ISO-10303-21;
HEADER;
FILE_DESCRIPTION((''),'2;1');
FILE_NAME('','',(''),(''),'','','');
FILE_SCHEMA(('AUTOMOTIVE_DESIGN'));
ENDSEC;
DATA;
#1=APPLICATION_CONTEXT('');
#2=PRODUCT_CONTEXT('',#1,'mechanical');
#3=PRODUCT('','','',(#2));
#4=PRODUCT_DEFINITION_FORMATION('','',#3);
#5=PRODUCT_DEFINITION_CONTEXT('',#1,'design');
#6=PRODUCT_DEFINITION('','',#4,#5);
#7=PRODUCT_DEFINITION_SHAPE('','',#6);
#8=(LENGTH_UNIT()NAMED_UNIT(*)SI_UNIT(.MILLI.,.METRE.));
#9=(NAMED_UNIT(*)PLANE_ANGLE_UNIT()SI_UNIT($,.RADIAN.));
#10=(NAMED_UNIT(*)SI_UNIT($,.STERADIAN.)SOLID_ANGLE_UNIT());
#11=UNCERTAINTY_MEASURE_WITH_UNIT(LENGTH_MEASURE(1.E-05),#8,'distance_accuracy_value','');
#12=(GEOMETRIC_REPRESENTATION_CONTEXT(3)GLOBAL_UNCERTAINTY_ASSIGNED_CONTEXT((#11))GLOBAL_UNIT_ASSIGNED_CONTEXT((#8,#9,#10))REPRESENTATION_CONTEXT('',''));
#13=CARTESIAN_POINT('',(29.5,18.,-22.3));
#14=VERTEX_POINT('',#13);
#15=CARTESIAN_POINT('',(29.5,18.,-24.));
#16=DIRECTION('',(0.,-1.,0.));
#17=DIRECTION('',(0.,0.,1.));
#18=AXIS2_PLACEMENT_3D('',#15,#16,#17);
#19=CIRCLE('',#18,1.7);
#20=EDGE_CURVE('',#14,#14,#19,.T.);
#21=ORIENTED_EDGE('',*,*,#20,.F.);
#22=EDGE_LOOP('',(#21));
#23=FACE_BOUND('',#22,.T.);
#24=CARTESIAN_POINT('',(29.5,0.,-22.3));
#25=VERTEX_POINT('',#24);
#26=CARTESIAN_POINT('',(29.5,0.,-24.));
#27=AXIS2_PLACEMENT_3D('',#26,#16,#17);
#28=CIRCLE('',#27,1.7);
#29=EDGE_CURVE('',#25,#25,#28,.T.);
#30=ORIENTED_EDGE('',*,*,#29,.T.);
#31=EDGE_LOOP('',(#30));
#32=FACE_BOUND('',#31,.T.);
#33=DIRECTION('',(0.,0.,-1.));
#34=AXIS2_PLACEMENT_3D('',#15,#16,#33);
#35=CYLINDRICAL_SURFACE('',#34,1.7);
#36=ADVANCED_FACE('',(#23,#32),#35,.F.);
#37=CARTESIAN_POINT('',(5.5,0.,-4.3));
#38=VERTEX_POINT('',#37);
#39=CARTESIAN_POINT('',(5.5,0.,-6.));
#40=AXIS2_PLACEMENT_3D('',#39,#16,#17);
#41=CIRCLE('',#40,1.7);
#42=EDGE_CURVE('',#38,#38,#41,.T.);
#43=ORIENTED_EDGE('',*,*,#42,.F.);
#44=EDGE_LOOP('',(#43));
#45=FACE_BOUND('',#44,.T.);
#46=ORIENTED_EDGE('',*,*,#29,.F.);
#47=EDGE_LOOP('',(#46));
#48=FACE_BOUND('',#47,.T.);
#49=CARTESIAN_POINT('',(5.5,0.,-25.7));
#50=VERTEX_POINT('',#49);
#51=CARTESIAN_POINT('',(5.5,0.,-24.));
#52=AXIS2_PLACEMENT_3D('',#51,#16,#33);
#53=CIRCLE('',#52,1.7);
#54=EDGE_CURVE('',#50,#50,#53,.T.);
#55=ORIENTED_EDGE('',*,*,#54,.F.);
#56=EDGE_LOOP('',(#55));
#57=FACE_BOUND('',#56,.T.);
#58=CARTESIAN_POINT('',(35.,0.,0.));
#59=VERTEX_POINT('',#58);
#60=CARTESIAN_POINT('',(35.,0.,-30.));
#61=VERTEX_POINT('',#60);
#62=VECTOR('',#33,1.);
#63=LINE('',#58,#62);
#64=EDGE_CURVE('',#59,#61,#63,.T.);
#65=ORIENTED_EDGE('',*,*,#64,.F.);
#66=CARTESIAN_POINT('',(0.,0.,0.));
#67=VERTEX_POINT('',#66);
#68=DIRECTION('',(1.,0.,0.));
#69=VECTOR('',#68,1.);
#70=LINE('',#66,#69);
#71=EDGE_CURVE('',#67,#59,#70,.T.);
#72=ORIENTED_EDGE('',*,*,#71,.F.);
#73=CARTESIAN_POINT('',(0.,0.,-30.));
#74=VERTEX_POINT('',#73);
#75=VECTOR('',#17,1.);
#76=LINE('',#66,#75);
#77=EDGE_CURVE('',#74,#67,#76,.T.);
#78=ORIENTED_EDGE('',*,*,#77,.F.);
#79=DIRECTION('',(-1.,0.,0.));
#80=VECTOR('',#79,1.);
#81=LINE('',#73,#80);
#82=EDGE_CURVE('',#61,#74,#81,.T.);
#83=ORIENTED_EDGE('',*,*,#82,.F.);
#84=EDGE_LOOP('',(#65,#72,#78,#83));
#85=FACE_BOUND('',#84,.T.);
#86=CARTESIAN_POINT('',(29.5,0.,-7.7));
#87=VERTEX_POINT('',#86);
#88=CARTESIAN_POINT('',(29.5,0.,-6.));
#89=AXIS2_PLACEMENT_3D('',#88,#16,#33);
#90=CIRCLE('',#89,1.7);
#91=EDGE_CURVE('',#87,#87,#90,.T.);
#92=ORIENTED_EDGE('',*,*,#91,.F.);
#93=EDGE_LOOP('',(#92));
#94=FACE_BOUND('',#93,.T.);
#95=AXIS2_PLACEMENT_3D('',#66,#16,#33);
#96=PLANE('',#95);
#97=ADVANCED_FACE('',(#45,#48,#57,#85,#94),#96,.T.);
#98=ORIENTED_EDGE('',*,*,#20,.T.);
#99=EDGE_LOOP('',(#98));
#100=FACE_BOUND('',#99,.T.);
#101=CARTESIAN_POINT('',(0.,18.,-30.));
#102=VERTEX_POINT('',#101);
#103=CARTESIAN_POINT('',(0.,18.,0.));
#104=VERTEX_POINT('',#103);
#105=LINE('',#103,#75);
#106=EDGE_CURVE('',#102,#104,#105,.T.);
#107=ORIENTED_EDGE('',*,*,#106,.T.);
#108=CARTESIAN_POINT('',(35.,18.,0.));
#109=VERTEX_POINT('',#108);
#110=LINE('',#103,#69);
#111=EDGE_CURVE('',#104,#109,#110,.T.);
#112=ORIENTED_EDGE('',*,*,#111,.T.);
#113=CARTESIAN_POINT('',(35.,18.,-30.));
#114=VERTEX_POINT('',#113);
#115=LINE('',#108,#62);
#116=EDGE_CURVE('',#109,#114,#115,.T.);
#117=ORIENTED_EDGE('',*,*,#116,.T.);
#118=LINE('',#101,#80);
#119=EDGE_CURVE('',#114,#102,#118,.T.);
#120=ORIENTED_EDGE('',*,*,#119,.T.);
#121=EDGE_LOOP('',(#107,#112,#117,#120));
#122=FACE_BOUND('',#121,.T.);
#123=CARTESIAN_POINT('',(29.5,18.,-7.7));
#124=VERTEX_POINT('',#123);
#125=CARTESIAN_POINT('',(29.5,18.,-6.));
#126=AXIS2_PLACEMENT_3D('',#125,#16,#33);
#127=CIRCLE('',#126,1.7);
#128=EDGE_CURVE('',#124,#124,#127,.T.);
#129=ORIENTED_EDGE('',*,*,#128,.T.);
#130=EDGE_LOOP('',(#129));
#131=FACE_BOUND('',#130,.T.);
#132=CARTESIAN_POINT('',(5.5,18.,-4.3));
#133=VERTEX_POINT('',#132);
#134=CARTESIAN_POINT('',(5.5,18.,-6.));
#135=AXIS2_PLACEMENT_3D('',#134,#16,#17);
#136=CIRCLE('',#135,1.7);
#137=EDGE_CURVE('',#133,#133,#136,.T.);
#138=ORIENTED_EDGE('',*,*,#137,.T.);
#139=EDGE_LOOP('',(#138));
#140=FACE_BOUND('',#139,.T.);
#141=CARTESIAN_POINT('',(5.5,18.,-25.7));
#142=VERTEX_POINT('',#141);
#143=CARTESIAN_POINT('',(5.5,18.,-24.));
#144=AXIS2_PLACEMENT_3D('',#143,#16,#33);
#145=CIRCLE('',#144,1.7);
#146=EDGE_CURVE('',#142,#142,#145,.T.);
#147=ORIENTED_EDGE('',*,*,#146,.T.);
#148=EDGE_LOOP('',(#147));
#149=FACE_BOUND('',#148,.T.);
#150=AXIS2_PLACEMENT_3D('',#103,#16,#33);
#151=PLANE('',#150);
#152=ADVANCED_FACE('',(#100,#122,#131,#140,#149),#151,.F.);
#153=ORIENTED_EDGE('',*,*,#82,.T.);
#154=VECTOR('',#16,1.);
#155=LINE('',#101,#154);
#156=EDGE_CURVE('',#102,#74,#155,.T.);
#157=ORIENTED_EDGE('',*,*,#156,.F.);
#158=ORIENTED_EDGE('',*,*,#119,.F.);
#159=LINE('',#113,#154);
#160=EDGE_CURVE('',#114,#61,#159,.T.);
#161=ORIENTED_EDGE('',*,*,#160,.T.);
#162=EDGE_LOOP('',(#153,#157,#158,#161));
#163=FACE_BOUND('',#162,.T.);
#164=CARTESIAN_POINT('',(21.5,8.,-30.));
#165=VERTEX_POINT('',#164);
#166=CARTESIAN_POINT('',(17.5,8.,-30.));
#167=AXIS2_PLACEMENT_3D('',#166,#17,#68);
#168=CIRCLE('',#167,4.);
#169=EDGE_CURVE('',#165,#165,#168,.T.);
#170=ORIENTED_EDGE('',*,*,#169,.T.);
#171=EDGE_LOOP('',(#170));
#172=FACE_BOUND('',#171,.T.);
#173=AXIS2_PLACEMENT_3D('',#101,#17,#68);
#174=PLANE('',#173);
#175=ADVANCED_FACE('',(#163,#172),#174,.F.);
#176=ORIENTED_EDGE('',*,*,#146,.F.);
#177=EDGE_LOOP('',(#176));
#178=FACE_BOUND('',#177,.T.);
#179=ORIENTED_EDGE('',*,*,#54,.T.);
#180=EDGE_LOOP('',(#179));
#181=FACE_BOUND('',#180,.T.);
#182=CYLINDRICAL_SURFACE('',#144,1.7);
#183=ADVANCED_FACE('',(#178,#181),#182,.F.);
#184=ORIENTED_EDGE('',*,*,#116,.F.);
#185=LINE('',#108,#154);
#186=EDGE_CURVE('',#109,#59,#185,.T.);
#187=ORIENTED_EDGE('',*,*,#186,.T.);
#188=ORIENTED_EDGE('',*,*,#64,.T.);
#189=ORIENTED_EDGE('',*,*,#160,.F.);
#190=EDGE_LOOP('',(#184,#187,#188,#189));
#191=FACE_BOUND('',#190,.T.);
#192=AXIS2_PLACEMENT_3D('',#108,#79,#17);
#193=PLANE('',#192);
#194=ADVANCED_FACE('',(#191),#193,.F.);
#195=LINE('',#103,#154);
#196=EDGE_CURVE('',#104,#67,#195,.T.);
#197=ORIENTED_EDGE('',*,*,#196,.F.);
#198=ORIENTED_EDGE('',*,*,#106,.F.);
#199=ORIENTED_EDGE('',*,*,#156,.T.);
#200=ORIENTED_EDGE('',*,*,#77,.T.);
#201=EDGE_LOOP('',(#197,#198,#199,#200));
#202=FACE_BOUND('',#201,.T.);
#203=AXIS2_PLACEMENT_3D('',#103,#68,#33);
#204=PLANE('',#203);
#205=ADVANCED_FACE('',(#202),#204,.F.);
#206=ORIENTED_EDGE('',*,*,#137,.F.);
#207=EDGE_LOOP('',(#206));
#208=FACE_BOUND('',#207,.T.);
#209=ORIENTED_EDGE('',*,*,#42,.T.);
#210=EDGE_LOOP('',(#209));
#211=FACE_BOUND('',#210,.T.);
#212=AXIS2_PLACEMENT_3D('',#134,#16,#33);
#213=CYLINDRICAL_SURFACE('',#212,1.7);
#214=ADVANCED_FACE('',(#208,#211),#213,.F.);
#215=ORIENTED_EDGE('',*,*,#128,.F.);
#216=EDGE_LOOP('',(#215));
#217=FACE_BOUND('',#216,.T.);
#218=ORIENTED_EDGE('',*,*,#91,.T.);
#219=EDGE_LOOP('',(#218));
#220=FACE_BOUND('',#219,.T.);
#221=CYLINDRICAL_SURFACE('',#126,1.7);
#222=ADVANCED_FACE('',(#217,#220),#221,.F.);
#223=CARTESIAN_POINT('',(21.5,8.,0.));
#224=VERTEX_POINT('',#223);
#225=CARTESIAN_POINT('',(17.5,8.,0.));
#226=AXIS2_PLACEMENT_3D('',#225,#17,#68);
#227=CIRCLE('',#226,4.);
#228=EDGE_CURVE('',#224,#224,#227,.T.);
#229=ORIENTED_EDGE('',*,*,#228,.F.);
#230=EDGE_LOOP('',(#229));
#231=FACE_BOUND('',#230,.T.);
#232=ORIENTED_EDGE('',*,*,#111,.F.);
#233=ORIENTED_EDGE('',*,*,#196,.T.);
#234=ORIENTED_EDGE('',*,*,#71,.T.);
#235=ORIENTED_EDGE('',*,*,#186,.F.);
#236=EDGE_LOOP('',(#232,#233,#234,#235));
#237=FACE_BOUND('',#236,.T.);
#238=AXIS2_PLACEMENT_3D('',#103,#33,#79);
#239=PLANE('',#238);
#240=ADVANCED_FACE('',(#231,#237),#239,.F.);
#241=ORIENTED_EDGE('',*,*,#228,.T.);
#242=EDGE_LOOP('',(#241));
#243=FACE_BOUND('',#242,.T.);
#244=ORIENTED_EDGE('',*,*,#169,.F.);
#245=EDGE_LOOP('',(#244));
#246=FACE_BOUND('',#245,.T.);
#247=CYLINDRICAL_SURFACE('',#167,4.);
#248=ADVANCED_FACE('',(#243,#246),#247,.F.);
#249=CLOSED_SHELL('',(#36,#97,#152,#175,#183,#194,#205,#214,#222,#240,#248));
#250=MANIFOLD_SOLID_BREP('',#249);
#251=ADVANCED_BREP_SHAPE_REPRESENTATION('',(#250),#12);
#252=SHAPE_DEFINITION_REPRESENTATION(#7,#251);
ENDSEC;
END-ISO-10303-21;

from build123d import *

# Parameters (mm, degrees)
SKETCH2_W           = 35
SKETCH2_H           = 30
BOSS_EXTRUDE1_DEPTH = 18
SKETCH3_R           = 1.7
CUT_EXTRUDE1_DEPTH  = 50.487372127
SKETCH4_R           = 4
CUT_EXTRUDE2_DEPTH  = 50.487372127


with BuildPart() as part:
    # Sketch2 → Boss-Extrude1 (new body)
    with BuildSketch(Plane(origin=(0, 0, 0), x_dir=(1, 0, 0), z_dir=(0, 1, 0))):
        with Locations((17.5, 15)):
            Rectangle(SKETCH2_W, SKETCH2_H)
    extrude(amount=BOSS_EXTRUDE1_DEPTH)

    # Sketch3 → Cut-Extrude1 (cut, through all)
    with BuildSketch(Plane.XZ):
        with Locations(Location((5.5, -24, 0), (0, 0, 270))):
            Circle(SKETCH3_R)
        with Locations(Location((29.5, -24, 0), (0, 0, 90))):
            Circle(SKETCH3_R)
        with Locations(Location((29.5, -6, 0), (0, 0, 270))):
            Circle(SKETCH3_R)
        with Locations(Location((5.5, -6, 0), (0, 0, 90))):
            Circle(SKETCH3_R)
    extrude(amount=-CUT_EXTRUDE1_DEPTH, mode=Mode.SUBTRACT)

    # Sketch4 → Cut-Extrude2 (cut, through all)
    with BuildSketch(Plane.XY):
        with Locations((17.5, 8)):
            Circle(SKETCH4_R)
    extrude(amount=-CUT_EXTRUDE2_DEPTH, mode=Mode.SUBTRACT)


solid = part.part
